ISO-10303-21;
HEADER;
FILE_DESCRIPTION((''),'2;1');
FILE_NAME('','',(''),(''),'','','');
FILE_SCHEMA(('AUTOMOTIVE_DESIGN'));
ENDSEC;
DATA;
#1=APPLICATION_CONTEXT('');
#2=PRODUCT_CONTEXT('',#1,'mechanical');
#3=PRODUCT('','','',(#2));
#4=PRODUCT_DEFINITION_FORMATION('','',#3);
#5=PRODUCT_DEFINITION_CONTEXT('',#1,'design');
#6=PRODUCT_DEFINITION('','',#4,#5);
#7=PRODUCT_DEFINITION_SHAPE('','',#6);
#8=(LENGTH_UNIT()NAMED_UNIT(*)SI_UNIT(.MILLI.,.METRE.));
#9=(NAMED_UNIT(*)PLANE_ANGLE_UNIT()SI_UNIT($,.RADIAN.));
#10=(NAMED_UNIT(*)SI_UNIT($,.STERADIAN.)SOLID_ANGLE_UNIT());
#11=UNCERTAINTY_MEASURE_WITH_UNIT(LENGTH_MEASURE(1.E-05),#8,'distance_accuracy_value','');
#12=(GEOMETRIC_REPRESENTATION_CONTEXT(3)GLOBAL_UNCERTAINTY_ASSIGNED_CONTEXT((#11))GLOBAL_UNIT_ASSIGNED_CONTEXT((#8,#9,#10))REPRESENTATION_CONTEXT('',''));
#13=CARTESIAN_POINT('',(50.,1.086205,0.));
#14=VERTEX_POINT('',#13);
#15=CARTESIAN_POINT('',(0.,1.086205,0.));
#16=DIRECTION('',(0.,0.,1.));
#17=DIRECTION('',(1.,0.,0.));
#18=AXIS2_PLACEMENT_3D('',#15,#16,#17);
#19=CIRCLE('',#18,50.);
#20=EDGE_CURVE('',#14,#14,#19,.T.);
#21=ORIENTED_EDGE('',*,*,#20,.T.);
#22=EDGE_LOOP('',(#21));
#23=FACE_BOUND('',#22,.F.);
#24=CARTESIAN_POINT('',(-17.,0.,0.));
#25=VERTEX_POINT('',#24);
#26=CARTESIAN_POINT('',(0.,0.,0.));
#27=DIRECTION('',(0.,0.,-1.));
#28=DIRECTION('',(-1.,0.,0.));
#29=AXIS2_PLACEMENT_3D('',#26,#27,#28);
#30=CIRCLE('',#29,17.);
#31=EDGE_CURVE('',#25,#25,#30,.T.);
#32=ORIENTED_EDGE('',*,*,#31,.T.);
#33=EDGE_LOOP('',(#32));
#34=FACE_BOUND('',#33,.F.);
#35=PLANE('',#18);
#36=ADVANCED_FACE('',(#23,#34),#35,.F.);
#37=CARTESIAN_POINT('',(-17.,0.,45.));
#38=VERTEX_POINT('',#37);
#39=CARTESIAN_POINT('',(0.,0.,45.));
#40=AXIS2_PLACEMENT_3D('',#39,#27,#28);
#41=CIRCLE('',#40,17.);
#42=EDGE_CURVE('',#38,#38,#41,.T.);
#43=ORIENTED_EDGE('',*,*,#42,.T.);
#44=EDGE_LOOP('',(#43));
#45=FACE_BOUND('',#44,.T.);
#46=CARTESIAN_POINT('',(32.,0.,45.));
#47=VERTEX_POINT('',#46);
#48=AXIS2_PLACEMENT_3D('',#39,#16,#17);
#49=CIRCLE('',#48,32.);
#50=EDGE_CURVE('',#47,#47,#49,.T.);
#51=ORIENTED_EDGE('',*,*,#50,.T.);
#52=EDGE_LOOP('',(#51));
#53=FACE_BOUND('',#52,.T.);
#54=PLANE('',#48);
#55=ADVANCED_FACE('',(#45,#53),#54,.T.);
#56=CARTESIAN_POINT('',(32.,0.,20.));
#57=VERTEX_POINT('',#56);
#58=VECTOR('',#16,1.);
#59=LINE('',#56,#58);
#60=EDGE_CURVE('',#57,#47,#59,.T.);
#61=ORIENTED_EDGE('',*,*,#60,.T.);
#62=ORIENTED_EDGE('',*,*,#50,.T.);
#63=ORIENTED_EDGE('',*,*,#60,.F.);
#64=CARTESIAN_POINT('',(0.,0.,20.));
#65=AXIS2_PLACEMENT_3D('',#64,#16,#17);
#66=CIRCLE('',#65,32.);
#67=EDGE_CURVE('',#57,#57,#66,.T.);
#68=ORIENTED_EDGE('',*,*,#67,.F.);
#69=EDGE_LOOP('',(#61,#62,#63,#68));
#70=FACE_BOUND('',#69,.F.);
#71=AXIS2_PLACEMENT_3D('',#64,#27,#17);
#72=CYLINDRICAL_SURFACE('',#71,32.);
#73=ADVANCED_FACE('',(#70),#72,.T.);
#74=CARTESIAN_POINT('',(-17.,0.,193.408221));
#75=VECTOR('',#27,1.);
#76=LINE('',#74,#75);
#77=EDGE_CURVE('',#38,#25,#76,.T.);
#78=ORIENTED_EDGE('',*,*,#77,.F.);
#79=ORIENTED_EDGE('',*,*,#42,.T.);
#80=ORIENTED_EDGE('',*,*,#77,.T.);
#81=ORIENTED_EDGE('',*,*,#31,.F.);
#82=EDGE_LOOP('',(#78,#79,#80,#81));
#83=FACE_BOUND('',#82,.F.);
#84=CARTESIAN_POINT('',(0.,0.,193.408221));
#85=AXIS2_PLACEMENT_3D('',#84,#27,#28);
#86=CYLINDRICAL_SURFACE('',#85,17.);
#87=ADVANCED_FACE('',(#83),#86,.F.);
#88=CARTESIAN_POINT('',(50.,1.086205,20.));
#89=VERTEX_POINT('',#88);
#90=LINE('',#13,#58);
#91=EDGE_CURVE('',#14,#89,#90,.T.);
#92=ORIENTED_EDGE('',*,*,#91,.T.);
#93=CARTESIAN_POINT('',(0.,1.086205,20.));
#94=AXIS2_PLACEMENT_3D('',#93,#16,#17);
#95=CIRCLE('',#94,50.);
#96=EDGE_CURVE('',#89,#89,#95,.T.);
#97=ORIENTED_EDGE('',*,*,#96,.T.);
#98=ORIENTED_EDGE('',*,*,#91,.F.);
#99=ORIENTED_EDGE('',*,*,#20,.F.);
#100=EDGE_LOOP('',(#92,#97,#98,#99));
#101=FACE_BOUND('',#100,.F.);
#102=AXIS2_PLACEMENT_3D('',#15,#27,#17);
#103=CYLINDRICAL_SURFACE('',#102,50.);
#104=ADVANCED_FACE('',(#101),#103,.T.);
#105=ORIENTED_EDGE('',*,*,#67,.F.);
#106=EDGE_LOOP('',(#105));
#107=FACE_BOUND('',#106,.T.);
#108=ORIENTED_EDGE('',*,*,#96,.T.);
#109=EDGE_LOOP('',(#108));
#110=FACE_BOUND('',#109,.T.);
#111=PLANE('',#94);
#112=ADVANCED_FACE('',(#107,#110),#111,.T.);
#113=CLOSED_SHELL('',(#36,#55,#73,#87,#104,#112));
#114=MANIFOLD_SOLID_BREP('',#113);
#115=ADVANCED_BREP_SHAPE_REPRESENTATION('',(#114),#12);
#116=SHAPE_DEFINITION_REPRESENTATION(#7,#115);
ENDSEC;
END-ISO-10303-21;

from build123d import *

# Parameters (mm, degrees)
F0_R     = 50
F1_DEPTH = 20
F2_R     = 32
F3_DEPTH = 25
F5_D     = 34


with BuildPart() as f1:
    # F0 (on Top) → F1 (new body)
    with BuildSketch(Plane.XY):
        with Locations((0, 1.086205)):
            Circle(F0_R)
    extrude(amount=F1_DEPTH)

    # F2 (on face) → F3 (join)
    with BuildSketch(Plane.XY.offset(20)):
        Circle(F2_R)
    extrude(amount=F3_DEPTH)

    # F5 (through all)
    with Locations(Plane.XY.offset(45)):
        with Locations((0, 0)):
            Hole(F5_D / 2)


solid = f1.part
